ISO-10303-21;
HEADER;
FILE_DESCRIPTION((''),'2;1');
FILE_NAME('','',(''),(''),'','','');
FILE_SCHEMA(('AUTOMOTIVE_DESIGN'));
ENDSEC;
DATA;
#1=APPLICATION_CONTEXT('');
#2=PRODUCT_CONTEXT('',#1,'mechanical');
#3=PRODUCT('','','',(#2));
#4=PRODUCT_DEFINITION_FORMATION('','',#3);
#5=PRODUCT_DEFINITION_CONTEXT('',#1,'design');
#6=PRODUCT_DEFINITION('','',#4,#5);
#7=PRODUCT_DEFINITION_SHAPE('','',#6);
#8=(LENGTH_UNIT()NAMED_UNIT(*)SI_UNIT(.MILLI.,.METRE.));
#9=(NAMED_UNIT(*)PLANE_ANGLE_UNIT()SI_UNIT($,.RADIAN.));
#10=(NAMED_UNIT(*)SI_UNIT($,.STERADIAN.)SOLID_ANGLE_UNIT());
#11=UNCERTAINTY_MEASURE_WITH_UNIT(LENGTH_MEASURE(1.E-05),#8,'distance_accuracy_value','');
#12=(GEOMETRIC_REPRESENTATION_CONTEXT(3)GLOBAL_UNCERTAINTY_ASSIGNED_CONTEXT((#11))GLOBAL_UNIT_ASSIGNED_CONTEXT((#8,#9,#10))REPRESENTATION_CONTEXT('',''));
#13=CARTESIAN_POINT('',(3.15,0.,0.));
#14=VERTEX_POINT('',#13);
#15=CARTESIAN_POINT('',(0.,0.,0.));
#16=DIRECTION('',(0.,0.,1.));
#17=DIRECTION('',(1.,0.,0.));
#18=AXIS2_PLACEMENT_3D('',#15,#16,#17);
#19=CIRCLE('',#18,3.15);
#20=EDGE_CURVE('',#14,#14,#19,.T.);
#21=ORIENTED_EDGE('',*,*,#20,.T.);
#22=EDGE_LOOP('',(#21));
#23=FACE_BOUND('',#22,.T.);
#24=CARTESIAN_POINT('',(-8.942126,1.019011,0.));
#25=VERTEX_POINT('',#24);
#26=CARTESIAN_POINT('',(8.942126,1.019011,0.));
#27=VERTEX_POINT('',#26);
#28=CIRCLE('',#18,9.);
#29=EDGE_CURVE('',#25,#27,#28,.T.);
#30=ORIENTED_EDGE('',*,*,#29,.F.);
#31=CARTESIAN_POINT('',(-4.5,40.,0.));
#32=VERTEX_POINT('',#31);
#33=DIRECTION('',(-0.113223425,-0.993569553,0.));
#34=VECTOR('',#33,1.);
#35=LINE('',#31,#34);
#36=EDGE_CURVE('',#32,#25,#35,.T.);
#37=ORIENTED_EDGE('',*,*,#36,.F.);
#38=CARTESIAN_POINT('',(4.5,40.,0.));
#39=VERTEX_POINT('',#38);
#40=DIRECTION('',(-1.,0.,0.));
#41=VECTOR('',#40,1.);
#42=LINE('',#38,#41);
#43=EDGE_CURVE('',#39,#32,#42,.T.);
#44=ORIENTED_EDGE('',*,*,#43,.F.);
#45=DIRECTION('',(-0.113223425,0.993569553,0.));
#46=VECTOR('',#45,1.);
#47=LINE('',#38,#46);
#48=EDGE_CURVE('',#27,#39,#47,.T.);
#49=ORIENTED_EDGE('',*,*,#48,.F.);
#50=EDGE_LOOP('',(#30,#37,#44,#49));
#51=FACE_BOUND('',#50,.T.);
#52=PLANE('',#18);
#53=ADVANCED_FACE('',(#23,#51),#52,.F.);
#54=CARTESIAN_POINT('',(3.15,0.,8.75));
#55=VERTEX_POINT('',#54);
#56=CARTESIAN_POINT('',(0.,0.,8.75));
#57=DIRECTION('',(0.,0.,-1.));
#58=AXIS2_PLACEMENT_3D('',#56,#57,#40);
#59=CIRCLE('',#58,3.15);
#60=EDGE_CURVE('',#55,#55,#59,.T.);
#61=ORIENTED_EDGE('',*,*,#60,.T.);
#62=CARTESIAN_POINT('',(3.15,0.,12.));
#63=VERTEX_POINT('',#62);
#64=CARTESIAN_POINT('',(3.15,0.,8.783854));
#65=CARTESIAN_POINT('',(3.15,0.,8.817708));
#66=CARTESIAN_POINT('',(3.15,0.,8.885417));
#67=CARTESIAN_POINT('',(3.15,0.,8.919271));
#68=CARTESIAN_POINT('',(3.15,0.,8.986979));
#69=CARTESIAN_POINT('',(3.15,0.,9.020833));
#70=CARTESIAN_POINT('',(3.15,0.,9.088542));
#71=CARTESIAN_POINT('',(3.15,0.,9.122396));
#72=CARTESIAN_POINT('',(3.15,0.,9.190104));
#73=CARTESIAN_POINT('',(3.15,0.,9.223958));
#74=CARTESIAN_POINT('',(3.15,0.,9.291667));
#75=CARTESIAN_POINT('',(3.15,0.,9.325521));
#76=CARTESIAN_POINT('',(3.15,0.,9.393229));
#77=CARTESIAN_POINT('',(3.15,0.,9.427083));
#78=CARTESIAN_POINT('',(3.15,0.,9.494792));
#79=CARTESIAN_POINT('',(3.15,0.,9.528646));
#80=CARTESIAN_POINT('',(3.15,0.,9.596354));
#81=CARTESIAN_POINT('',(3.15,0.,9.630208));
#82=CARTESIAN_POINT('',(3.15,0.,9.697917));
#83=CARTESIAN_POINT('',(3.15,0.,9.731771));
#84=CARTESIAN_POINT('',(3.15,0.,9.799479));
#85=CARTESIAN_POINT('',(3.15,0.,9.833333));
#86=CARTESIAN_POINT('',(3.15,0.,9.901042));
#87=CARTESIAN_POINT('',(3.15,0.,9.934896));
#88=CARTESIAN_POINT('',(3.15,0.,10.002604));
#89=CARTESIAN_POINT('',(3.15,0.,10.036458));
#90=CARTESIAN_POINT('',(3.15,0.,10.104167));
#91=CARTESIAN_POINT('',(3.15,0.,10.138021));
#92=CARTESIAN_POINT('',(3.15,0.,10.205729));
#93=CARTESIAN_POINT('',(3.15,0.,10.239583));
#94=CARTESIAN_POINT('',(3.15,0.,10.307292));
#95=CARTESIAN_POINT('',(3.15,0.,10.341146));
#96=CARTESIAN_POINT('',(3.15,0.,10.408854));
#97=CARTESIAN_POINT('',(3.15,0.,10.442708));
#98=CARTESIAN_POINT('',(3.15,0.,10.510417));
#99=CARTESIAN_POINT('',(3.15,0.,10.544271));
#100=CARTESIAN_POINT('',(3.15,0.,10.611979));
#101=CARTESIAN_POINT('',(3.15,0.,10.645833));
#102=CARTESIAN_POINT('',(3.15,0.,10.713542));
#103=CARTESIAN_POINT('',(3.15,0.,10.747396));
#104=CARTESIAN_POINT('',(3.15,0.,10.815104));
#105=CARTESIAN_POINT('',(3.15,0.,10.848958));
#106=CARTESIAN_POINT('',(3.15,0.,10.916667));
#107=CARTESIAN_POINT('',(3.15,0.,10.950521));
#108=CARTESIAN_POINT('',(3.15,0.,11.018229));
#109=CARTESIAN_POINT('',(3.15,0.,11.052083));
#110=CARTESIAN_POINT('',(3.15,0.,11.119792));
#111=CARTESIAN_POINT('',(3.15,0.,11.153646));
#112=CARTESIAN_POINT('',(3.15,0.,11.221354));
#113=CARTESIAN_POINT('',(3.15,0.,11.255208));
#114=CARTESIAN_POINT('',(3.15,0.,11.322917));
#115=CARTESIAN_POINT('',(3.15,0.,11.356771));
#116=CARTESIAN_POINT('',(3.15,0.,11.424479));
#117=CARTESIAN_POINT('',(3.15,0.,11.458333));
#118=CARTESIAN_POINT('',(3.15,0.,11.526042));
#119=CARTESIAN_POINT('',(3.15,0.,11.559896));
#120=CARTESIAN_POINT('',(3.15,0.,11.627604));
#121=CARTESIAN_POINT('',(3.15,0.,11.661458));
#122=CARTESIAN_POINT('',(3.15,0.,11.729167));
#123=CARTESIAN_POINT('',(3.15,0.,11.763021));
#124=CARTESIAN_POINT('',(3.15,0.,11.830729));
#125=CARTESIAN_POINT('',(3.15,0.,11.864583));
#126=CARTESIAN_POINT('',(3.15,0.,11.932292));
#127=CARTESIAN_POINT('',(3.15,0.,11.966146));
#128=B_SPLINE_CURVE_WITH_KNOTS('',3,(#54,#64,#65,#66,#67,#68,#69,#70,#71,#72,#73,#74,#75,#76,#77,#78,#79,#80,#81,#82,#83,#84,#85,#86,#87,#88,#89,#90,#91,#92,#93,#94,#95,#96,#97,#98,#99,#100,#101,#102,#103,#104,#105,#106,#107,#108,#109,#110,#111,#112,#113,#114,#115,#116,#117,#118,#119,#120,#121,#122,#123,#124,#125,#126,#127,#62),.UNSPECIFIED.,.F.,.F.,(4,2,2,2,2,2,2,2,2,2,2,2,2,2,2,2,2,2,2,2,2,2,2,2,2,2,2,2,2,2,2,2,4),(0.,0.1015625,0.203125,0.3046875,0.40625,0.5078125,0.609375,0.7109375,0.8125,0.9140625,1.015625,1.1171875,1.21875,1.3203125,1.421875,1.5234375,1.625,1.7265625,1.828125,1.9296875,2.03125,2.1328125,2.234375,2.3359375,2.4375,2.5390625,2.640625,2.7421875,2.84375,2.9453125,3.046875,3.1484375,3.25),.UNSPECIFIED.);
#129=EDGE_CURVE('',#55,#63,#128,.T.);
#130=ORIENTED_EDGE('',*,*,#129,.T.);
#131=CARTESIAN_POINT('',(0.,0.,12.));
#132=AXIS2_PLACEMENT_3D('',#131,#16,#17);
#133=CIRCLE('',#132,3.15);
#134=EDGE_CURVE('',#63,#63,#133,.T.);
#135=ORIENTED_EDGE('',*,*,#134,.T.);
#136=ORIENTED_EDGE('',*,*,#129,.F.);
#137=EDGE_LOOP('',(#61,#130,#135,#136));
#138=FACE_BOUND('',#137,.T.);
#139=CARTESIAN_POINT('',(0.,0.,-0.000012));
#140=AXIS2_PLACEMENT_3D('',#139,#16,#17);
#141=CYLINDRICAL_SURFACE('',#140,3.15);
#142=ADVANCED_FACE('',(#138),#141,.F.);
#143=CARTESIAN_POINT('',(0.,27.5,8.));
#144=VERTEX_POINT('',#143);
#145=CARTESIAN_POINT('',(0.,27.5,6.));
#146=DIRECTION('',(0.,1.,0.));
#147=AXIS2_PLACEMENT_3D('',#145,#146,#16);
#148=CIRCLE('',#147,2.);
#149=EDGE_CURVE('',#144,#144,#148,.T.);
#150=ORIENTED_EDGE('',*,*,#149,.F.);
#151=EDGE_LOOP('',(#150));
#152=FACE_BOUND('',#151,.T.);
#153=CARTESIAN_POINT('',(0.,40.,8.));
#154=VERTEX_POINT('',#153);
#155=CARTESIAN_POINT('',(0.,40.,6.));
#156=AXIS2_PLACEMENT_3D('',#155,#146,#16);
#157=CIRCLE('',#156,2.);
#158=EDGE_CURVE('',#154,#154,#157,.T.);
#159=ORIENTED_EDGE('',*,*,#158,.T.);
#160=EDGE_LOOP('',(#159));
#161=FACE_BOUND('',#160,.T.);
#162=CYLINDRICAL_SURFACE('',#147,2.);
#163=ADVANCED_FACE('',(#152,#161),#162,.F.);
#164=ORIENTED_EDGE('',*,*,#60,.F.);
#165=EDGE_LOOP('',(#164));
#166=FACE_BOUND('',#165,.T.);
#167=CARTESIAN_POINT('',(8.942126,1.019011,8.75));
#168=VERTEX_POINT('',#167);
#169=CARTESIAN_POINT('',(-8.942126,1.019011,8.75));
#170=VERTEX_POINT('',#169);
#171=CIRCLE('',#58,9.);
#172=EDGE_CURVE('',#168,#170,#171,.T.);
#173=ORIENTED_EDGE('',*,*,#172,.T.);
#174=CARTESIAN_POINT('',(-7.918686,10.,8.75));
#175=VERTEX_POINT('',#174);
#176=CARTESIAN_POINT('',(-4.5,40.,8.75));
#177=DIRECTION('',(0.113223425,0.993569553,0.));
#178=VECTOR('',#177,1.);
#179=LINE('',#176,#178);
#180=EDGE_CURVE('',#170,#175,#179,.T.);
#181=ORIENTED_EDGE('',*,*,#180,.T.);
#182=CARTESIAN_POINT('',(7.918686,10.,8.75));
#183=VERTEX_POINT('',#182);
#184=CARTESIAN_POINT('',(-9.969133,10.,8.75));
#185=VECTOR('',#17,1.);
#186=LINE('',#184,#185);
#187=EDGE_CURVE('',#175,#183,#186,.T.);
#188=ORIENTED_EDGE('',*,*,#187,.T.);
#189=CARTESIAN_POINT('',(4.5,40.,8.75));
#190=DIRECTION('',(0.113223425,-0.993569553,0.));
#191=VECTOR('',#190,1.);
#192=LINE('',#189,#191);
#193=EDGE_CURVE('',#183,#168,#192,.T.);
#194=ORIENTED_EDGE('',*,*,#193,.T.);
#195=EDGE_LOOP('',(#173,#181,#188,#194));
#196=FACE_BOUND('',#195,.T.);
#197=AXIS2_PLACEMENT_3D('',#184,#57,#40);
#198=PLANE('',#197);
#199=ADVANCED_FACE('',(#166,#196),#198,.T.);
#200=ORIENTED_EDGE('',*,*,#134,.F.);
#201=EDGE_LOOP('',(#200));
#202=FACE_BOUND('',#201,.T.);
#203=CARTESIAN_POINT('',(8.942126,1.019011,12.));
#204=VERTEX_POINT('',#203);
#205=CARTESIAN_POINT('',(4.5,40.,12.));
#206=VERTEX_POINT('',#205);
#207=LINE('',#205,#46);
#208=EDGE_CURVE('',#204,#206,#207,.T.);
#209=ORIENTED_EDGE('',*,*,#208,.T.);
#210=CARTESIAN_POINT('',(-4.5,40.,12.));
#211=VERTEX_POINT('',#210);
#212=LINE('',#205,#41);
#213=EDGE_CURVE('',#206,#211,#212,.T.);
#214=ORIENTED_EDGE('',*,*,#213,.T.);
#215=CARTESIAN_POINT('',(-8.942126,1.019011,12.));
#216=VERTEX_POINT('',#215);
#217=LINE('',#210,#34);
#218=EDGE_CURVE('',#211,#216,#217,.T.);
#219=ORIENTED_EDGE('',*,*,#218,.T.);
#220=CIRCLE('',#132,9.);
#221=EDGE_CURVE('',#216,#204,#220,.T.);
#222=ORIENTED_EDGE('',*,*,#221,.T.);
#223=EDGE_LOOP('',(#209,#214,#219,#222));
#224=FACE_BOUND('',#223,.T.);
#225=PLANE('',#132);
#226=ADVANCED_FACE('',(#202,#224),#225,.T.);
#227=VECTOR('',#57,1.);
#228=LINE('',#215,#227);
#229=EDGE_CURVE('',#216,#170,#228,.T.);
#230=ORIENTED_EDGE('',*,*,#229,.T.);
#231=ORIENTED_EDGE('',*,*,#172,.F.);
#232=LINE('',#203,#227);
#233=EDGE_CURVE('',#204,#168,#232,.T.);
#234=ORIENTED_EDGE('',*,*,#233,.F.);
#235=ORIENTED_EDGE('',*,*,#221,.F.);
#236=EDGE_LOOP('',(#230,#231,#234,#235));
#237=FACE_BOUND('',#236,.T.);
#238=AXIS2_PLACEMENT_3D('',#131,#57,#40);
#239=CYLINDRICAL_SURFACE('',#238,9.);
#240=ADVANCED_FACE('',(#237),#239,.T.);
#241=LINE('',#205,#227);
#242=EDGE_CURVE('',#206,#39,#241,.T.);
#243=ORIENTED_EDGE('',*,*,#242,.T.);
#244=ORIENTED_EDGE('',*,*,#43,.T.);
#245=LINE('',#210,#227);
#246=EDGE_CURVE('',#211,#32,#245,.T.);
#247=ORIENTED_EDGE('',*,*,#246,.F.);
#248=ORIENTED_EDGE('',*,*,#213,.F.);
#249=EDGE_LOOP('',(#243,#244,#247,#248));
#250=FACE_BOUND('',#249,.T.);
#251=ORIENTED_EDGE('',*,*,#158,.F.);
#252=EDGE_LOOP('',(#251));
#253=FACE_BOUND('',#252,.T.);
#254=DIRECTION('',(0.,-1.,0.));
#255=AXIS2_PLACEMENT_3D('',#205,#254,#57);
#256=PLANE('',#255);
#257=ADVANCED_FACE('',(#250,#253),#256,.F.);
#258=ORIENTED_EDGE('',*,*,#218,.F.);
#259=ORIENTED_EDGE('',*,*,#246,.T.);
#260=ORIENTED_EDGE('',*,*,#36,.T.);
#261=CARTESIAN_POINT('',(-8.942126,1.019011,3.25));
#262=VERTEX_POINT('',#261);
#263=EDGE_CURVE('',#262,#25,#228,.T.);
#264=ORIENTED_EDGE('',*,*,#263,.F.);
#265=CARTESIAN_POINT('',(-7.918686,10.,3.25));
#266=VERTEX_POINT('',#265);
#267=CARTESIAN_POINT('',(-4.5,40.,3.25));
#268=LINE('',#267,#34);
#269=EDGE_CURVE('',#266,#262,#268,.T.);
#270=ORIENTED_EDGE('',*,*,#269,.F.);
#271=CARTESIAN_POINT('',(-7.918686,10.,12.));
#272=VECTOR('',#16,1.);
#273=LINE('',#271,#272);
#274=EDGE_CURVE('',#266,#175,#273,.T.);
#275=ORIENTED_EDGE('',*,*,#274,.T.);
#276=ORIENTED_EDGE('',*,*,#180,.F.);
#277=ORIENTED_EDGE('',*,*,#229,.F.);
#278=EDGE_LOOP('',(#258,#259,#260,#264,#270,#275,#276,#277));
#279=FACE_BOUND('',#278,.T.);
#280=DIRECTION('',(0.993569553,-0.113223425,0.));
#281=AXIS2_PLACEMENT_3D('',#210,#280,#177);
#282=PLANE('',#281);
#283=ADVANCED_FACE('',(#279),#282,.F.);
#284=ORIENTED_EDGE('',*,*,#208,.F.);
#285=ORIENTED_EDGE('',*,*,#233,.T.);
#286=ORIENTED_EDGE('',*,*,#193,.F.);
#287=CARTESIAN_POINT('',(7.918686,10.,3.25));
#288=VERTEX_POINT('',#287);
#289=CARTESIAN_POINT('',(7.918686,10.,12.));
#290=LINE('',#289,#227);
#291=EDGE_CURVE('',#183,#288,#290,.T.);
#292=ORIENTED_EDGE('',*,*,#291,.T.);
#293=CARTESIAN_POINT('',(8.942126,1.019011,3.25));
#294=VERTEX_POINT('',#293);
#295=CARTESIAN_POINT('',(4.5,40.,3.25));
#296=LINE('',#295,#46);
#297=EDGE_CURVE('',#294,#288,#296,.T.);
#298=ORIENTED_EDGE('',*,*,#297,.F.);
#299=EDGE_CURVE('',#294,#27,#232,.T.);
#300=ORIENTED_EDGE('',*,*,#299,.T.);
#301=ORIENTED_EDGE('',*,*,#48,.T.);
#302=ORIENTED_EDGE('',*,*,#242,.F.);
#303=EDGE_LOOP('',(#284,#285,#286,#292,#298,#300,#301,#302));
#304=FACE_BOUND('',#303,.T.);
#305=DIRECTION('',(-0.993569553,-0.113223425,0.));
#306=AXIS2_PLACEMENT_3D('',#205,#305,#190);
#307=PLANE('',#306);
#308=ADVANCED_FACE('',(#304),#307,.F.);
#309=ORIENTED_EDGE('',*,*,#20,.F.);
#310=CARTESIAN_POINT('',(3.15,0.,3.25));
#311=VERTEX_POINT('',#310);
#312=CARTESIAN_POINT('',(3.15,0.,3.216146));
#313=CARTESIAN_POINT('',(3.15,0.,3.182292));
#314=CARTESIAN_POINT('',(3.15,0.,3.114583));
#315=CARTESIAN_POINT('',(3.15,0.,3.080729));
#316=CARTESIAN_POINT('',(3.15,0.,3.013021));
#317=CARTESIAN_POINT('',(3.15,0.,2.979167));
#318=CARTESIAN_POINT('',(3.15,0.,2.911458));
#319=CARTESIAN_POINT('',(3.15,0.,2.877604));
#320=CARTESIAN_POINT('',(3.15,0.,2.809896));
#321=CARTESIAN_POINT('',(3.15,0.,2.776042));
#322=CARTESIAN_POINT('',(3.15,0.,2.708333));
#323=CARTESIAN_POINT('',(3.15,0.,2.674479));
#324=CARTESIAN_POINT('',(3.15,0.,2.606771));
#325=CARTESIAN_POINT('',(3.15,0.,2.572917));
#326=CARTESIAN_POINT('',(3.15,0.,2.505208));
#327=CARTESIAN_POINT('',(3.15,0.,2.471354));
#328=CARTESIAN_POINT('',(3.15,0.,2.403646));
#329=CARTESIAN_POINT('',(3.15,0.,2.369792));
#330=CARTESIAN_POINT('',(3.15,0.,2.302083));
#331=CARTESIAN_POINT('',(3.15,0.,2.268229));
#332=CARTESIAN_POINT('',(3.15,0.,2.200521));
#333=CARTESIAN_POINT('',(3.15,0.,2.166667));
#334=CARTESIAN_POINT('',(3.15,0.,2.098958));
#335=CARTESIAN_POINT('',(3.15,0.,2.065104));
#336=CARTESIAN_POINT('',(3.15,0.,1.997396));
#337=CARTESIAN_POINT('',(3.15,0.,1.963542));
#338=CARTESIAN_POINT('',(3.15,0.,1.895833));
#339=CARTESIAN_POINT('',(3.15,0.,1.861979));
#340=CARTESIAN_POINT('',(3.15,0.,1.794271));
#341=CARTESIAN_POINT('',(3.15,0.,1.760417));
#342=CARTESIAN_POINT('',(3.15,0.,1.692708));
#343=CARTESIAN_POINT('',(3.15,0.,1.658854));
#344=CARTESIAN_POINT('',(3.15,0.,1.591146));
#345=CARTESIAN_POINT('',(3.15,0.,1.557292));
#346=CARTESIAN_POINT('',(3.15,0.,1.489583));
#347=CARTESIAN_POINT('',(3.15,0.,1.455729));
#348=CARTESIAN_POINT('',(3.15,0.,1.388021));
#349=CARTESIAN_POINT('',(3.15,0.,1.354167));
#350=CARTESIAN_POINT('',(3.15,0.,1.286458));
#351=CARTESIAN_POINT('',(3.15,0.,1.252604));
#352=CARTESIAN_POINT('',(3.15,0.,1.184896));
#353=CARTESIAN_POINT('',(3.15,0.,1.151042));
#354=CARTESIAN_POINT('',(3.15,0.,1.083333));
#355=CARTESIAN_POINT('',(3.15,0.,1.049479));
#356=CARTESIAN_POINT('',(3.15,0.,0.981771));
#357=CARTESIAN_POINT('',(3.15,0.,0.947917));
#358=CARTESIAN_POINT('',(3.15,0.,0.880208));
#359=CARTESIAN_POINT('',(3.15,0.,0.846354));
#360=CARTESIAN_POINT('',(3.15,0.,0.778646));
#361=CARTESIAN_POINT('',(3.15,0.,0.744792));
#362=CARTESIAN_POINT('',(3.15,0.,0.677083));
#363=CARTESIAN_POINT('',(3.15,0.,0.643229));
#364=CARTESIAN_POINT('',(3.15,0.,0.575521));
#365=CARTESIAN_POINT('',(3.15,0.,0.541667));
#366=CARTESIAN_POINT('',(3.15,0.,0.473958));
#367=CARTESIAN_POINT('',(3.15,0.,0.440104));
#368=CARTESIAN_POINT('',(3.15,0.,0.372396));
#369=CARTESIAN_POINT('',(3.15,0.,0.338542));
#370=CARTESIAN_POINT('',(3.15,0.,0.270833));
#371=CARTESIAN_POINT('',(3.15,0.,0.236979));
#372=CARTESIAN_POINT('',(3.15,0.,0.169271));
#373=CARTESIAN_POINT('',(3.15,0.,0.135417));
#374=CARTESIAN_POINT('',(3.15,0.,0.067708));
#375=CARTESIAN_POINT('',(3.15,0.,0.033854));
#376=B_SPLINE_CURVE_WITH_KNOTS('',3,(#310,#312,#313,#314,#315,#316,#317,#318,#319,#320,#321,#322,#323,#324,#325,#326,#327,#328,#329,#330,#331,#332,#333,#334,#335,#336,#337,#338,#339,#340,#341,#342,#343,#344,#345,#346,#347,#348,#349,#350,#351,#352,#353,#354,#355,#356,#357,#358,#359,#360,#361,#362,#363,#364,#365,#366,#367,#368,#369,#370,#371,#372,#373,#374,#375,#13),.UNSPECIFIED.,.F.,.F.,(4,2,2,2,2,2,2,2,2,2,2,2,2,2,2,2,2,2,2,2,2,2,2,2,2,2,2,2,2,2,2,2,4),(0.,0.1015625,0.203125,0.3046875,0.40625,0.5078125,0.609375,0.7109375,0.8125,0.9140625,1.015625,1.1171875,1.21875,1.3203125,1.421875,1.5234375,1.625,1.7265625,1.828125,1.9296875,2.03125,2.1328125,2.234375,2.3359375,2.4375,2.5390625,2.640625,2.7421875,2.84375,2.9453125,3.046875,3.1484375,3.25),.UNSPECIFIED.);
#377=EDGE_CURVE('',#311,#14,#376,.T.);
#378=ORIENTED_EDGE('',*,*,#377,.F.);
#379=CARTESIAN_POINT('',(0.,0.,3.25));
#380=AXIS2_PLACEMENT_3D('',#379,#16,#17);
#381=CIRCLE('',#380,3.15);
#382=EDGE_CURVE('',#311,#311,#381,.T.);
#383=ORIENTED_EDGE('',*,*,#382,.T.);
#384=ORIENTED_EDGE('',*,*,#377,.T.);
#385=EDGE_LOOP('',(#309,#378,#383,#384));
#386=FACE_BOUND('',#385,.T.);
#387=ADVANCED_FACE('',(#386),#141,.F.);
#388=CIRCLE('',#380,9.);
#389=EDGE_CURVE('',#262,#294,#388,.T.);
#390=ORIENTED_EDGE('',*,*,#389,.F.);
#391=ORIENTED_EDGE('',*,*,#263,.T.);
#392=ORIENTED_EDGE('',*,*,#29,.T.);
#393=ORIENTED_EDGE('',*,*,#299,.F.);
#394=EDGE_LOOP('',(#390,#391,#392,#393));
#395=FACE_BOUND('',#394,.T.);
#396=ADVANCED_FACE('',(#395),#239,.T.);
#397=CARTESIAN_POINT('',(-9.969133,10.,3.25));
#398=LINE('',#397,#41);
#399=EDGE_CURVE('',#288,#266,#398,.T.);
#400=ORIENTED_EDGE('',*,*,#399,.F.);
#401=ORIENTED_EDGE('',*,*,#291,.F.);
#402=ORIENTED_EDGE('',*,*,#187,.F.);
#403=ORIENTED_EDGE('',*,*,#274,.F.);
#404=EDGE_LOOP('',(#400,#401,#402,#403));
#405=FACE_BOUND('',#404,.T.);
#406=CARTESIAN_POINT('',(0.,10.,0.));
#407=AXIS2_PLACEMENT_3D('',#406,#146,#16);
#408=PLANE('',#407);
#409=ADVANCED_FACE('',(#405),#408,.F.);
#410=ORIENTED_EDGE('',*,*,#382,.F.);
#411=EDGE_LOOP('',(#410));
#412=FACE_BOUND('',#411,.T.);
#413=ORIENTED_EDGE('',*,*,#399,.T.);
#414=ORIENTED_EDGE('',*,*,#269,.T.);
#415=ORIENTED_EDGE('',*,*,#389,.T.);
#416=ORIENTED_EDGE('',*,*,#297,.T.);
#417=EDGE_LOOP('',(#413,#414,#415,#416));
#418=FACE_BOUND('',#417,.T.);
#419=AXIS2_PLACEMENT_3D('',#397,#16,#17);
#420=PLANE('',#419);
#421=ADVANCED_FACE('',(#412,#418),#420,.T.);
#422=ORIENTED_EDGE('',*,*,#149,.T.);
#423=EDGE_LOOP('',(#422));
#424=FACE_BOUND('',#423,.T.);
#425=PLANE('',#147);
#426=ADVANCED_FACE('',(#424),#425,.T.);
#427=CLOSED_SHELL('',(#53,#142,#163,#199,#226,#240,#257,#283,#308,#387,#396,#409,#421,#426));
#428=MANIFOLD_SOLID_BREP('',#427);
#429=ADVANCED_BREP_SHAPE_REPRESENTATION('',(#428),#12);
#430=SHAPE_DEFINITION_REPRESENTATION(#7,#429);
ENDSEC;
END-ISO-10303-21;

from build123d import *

# Parameters (mm, degrees)
BOSS_EXTRUDE1_DEPTH     = 12
SKETCH5_R               = 2
CUT_EXTRUDE4_DEPTH      = 12.5
CUT_EXTRUDE6_DEPTH      = 10
CUT_EXTRUDE6_DEPTH_BACK = 16
SKETCH9_W               = 19.938266946
SKETCH9_H               = 5.5
CUT_EXTRUDE8_DEPTH      = 43.720018727
CUT_EXTRUDE8_DEPTH_BACK = 43.720018727
SKETCH7_R               = 3.15


with BuildPart() as part:
    # Sketch1 → Boss-Extrude1 (new body)
    with BuildSketch(Plane.XY):
        with BuildLine():
            Line((4.5, 40), (-4.5, 40))
            Line((-4.5, 40), (-8.942125974, 1.019010828))
            ThreePointArc((-8.942125974, 1.019010828), (0, -9), (8.942125974, 1.019010828))
            Line((8.942125974, 1.019010828), (4.5, 40))
        make_face()
    extrude(amount=BOSS_EXTRUDE1_DEPTH)

    # Sketch5 → Cut-Extrude4 (cut)
    with BuildSketch(Plane(origin=(0, 40, 0), x_dir=(1, 0, 0), z_dir=(0, 1, 0))):
        with Locations(Location((0, -6, 0), (0, 0, 270))):
            Circle(SKETCH5_R)
    extrude(amount=-CUT_EXTRUDE4_DEPTH, mode=Mode.SUBTRACT)

    # Sketch9 → Cut-Extrude6 (cut, two sides: drawn at the far end of the back side and taken through both)
    with BuildSketch(Plane(origin=(0, 0, 0), x_dir=(1, 0, 0), z_dir=(0, 1, 0)).offset(-CUT_EXTRUDE6_DEPTH_BACK)):
        with Locations((0, -6)):
            Rectangle(SKETCH9_W, SKETCH9_H)
    extrude(amount=CUT_EXTRUDE6_DEPTH + CUT_EXTRUDE6_DEPTH_BACK, mode=Mode.SUBTRACT)

    # Sketch7 → Cut-Extrude8 (cut, two sides: drawn at the far end of the back side and taken through both)
    with BuildSketch(Plane.XY.offset(-CUT_EXTRUDE8_DEPTH_BACK)):
        Circle(SKETCH7_R)
    extrude(amount=CUT_EXTRUDE8_DEPTH + CUT_EXTRUDE8_DEPTH_BACK, mode=Mode.SUBTRACT)


solid = part.part
